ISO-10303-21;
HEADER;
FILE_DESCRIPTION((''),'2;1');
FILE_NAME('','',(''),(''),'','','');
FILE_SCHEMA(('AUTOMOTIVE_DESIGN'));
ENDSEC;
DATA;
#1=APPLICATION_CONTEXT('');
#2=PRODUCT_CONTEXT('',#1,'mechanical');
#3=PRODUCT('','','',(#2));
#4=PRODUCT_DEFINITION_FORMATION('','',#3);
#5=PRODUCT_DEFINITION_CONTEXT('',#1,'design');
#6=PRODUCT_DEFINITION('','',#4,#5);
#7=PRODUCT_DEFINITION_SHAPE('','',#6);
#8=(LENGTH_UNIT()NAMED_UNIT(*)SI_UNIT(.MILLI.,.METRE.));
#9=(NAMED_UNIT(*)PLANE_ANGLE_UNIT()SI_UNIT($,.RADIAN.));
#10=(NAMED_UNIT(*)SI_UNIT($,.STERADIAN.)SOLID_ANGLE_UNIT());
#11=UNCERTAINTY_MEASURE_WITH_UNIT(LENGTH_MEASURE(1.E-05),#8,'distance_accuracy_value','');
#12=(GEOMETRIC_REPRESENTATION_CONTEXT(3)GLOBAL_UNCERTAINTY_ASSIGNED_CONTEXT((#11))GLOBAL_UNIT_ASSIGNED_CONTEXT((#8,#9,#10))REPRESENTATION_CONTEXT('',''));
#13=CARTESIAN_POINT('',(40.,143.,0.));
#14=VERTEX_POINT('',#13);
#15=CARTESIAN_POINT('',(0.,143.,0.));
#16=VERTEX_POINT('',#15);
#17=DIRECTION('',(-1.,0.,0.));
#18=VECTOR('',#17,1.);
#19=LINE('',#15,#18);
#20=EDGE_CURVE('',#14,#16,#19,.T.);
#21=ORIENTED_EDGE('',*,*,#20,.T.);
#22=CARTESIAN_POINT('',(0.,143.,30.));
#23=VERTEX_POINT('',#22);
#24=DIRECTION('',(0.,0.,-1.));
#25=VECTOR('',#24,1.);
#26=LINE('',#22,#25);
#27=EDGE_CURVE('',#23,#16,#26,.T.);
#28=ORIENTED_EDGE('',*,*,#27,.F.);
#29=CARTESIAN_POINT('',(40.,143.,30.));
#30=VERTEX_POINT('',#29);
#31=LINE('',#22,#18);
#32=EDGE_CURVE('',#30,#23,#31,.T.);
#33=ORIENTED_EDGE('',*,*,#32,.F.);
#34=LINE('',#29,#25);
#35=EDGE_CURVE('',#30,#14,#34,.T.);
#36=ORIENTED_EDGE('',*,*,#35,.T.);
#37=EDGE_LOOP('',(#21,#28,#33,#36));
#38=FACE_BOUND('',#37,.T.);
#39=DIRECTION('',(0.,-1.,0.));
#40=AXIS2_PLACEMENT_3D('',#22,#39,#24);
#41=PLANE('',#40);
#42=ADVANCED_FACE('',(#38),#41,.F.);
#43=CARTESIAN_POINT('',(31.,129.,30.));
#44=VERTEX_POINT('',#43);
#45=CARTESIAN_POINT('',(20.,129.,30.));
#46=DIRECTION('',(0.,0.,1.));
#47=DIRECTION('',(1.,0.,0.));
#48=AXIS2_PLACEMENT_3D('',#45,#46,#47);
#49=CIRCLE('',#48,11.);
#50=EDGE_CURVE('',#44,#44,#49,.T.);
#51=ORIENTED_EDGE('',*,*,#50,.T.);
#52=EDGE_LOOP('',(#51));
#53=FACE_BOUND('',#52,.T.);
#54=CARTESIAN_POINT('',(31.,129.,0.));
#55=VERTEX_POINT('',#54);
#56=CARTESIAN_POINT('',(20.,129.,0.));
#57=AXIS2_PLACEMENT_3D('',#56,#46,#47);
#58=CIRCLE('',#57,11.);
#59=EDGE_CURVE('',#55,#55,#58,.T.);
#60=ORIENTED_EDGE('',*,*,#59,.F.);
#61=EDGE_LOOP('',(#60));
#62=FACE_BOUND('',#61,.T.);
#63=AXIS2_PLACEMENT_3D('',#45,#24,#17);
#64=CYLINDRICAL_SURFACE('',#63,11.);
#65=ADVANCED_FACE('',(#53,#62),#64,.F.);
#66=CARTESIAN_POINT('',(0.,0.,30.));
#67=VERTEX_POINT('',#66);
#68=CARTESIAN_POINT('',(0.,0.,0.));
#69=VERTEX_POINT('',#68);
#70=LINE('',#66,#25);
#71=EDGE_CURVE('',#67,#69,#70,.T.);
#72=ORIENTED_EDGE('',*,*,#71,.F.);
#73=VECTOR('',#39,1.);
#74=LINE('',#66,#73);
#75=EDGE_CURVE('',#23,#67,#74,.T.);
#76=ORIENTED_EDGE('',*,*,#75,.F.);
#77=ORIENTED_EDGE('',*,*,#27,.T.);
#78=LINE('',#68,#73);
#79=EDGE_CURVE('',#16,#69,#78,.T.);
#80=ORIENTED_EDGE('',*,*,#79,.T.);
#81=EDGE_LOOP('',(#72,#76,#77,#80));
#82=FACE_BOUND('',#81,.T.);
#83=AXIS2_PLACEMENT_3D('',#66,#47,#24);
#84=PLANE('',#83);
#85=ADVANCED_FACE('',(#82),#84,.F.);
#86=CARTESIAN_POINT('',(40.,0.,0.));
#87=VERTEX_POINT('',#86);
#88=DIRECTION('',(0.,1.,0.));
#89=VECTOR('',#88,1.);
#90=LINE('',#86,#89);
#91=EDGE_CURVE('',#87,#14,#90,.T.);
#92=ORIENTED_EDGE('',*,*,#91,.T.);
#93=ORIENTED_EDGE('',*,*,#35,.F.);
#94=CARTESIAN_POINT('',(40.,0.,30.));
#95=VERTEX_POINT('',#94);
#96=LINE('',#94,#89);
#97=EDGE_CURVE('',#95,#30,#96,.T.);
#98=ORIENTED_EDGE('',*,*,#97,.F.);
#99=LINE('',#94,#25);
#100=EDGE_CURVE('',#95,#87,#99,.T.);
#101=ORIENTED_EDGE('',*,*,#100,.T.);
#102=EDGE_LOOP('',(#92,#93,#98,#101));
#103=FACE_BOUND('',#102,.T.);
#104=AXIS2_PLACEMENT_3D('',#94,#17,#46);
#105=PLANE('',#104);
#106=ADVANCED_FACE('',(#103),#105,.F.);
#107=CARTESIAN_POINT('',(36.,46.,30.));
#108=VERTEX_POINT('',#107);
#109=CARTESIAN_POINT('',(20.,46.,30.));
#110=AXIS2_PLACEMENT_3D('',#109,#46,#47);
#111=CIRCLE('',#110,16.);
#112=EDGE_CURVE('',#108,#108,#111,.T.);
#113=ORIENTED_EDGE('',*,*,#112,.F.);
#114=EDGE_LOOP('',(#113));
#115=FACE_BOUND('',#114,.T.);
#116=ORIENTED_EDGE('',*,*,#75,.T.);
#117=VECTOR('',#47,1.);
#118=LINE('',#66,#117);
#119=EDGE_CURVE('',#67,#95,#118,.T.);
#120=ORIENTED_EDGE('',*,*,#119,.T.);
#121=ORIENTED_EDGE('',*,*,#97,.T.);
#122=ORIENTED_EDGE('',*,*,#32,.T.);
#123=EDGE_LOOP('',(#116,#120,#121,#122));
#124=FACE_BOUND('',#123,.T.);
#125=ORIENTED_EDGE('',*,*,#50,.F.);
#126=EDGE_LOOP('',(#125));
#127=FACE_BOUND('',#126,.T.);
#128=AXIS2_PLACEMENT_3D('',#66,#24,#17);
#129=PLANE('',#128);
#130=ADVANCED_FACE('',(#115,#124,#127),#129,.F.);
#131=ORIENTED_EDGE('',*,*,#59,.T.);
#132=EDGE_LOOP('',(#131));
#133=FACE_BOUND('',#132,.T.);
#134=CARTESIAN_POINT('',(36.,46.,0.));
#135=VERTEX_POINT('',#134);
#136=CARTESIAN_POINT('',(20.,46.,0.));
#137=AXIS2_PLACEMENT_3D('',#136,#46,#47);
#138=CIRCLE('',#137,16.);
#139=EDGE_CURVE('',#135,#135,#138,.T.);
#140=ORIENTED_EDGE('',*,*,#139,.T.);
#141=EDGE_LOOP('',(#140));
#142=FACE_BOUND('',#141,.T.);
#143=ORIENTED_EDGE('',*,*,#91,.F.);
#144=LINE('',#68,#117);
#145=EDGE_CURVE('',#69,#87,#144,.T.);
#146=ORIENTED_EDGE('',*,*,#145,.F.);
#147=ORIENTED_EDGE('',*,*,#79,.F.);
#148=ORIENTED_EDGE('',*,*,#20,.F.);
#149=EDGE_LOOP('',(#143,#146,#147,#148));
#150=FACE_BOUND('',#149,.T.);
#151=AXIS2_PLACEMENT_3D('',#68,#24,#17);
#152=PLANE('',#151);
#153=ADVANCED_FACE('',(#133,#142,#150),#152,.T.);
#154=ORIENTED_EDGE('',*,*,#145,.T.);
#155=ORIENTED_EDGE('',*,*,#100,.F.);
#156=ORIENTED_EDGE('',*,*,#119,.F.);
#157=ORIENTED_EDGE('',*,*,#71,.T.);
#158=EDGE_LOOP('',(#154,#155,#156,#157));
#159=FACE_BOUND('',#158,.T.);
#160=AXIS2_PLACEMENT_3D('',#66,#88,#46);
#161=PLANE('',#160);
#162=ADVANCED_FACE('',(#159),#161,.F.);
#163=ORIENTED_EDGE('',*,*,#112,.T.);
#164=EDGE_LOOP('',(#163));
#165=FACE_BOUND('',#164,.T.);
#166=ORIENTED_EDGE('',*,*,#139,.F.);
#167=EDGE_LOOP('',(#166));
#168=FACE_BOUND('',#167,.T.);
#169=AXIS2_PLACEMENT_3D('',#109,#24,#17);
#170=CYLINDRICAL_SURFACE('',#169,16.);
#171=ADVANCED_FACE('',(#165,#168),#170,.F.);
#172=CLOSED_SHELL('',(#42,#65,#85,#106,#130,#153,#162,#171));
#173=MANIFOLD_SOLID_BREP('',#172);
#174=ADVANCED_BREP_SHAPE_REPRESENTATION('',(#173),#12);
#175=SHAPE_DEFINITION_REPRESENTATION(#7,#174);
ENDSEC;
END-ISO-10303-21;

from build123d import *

# Parameters (mm, degrees)
ESQUISSE1_W        = 40
ESQUISSE1_H        = 143
ESQUISSE1_R        = 16
ESQUISSE1_R_2      = 11
BOSS_EXTRU_1_DEPTH = 30


with BuildPart() as part:
    # Esquisse1 → Boss.-Extru.1 (new body)
    with BuildSketch(Plane.XY):
        with Locations((20, 71.5)):
            Rectangle(ESQUISSE1_W, ESQUISSE1_H)
        with Locations((20, 46)):
            Circle(ESQUISSE1_R, mode=Mode.SUBTRACT)
        with Locations((20, 129)):
            Circle(ESQUISSE1_R_2, mode=Mode.SUBTRACT)
    extrude(amount=BOSS_EXTRU_1_DEPTH)


solid = part.part
